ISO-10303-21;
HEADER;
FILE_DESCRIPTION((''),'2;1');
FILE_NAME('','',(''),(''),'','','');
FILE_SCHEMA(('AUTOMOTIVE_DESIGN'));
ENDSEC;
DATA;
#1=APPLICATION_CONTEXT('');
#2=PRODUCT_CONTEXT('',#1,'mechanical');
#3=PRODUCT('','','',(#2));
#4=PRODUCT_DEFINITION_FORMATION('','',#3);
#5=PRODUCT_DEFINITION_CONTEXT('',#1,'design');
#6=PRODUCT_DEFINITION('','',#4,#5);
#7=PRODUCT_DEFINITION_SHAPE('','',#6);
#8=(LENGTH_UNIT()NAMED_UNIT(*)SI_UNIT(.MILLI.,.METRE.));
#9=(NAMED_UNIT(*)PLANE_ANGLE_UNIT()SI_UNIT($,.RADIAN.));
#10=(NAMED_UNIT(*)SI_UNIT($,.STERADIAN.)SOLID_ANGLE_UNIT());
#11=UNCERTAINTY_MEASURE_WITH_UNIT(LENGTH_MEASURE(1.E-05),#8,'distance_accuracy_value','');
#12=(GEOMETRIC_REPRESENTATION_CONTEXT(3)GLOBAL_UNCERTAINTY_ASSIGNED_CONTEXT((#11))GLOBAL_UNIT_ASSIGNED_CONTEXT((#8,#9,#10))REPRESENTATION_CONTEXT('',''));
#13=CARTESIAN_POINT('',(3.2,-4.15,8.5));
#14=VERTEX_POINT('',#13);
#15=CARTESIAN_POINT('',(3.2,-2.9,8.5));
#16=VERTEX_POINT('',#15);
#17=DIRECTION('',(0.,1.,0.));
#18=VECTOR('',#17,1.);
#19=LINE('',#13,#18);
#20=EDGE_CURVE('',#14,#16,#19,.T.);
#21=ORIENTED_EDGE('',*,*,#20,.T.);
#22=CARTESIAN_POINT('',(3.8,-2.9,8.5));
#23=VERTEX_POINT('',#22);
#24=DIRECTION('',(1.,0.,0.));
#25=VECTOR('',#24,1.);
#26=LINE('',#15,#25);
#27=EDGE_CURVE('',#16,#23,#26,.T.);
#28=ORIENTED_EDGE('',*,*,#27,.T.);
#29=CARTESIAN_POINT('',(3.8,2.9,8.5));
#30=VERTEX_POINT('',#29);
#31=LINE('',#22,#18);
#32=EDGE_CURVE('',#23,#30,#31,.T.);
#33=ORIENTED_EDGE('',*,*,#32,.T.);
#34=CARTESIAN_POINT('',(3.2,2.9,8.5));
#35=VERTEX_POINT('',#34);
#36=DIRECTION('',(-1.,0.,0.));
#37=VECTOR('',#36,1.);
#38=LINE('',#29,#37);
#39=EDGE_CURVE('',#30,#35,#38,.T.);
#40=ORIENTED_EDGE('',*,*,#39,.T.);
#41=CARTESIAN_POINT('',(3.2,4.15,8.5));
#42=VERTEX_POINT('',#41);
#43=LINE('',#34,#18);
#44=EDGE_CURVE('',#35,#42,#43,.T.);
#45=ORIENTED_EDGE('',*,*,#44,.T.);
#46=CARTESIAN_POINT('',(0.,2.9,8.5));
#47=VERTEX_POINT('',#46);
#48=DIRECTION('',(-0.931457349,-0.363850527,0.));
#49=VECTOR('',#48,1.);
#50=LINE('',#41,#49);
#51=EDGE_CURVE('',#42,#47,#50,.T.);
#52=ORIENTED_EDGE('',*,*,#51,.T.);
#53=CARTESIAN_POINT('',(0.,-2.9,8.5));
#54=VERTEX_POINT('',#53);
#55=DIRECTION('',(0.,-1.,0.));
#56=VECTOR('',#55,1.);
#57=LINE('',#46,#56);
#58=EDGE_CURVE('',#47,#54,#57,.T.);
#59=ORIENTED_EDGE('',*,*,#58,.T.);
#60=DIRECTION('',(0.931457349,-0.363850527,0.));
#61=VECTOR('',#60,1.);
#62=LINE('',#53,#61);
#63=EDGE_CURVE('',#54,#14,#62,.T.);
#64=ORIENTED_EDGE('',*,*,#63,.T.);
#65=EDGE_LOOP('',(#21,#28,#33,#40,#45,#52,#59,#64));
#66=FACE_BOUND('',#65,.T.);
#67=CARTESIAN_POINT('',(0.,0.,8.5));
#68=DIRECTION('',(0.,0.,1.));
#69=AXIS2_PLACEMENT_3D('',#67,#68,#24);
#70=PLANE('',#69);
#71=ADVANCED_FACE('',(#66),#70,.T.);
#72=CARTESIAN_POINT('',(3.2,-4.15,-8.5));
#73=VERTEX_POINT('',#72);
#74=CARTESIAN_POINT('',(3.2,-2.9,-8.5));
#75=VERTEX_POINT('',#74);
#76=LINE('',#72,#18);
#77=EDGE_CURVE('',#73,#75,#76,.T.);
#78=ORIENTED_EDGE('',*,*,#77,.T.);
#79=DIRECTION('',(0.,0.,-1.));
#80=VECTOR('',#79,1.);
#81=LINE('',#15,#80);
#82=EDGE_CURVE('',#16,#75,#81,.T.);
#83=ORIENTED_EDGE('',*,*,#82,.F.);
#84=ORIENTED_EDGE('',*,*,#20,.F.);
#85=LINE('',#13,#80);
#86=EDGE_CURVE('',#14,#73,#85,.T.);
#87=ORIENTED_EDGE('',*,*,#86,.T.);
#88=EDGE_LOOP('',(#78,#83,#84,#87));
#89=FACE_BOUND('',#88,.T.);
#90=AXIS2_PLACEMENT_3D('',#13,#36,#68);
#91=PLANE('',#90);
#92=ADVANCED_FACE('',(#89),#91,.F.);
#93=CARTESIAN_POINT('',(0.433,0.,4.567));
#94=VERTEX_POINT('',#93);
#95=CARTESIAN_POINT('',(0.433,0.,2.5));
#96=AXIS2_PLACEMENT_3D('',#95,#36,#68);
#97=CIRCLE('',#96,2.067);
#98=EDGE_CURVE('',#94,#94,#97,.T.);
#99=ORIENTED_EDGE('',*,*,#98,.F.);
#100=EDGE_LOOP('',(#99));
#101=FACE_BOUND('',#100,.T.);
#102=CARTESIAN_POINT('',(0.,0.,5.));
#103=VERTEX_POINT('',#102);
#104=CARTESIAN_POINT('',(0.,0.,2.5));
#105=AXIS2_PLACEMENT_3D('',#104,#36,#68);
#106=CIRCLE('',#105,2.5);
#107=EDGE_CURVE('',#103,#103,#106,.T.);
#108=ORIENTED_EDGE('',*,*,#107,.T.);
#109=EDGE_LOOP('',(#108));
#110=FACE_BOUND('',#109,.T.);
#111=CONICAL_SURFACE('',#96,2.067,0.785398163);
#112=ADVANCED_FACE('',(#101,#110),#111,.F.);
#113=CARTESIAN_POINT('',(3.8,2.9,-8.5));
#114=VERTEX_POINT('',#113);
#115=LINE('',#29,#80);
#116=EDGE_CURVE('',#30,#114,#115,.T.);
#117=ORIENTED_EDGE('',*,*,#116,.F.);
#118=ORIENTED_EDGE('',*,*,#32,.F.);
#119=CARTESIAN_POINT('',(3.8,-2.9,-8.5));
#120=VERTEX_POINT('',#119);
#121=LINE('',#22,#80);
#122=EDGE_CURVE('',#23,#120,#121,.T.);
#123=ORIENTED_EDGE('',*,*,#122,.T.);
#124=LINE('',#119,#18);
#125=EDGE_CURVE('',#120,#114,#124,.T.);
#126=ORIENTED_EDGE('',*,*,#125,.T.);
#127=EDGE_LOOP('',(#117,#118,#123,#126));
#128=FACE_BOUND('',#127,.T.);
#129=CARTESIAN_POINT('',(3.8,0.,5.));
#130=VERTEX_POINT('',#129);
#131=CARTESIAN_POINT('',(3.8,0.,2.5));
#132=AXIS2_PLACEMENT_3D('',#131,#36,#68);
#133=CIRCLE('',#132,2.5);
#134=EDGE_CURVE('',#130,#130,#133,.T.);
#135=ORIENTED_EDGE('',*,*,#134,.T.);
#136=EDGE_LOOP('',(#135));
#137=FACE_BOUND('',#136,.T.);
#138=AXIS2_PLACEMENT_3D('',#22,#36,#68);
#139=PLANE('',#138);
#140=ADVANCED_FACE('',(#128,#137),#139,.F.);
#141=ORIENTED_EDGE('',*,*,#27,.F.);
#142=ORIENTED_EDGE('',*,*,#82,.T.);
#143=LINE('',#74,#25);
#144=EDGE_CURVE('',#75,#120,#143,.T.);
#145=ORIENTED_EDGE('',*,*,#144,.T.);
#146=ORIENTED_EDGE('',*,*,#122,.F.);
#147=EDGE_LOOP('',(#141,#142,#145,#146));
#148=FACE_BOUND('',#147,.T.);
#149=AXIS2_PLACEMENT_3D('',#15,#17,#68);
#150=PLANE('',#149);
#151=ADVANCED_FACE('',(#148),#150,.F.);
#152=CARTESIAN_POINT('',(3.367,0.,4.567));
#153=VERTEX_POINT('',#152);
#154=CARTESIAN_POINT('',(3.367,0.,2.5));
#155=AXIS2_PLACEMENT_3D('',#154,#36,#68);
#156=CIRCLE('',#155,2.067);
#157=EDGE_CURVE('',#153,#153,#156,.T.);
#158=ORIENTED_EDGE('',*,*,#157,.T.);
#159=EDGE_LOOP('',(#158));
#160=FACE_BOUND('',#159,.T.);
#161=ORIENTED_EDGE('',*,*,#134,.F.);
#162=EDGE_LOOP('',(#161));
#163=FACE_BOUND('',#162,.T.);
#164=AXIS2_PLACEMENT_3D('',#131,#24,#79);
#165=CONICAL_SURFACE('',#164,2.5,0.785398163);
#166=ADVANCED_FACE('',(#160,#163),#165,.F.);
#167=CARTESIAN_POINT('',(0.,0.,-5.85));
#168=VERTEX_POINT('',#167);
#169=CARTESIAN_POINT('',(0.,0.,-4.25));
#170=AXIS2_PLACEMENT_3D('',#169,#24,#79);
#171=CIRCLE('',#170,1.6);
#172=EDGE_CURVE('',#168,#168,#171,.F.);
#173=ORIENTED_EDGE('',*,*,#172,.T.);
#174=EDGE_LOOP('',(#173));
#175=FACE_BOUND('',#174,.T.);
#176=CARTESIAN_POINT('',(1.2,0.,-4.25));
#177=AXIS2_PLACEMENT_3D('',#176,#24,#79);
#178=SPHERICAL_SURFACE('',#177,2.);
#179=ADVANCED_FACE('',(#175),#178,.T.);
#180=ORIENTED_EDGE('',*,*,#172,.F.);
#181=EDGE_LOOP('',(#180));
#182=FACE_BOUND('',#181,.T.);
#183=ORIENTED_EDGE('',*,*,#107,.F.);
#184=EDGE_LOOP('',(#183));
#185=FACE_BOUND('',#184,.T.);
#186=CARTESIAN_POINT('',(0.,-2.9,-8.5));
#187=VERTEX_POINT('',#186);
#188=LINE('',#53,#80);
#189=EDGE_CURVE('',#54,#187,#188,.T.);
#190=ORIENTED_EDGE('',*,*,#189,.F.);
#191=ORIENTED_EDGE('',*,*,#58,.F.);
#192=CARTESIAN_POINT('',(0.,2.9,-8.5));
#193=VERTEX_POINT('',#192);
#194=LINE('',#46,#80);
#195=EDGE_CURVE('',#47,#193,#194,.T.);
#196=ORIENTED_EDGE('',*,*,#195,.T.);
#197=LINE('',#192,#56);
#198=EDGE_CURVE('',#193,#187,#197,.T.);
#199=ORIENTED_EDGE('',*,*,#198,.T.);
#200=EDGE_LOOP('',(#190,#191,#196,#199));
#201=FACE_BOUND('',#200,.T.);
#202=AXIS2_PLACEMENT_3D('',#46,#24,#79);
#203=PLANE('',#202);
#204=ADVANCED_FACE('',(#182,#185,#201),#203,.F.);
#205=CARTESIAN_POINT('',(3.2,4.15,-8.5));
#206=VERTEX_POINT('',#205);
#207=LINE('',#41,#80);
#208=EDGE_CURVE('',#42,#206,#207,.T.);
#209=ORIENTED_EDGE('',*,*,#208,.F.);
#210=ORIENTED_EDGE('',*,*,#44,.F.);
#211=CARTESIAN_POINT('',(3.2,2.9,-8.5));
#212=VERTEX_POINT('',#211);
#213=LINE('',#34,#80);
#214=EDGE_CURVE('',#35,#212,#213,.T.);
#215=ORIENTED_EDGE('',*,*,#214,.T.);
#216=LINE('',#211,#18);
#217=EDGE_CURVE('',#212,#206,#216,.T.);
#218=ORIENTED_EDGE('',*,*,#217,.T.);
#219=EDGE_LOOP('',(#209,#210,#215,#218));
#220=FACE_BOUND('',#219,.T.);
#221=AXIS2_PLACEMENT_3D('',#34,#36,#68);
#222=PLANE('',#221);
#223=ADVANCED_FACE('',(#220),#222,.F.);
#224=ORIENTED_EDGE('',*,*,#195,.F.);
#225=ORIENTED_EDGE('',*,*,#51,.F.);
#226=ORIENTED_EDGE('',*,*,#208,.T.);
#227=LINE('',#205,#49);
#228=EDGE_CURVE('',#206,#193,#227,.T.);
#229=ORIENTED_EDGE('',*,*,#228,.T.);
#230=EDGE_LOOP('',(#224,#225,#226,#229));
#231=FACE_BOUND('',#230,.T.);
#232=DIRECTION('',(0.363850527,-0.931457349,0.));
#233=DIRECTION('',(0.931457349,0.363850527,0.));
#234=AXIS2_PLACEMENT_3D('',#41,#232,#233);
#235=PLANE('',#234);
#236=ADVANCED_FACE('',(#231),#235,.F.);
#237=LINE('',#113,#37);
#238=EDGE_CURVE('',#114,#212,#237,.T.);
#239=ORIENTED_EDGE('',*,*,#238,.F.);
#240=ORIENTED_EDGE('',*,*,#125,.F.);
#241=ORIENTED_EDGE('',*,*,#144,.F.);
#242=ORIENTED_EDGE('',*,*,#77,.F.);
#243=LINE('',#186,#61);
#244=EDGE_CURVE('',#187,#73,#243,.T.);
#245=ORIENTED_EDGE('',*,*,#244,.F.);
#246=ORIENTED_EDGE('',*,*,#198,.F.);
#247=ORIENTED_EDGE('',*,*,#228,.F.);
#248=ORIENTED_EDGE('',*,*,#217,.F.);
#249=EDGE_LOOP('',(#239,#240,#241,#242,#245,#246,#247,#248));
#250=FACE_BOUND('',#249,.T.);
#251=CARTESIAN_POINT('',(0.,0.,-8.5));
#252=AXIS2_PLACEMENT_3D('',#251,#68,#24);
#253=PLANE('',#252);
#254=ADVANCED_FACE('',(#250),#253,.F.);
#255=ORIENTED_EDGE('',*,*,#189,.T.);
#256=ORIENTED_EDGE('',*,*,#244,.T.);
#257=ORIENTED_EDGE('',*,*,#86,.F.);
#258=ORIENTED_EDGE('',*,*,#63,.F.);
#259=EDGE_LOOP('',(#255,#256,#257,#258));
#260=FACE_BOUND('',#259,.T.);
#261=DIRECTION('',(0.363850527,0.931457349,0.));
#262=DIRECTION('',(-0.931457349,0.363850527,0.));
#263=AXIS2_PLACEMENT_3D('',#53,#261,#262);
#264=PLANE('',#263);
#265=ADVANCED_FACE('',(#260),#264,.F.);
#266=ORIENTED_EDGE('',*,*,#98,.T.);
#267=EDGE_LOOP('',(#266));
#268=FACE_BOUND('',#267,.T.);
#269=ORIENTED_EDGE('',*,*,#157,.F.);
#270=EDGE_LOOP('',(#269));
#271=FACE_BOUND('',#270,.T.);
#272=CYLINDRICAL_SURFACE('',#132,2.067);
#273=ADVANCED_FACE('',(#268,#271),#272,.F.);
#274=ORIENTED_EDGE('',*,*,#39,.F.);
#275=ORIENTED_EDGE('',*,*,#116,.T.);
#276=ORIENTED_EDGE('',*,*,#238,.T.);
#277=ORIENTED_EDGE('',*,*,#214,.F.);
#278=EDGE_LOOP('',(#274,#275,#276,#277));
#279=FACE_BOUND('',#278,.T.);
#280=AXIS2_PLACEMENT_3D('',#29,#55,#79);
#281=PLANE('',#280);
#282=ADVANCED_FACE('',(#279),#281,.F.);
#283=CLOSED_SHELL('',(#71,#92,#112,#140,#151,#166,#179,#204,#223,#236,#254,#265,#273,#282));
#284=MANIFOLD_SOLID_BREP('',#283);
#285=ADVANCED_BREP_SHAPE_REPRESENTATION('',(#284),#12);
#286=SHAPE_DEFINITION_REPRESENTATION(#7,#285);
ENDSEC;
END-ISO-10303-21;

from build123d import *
from build123d.topology import SkipClean

# Parameters (mm, degrees)
EXTRUDE_1_DEPTH      = 8.5
EXTRUDE_1_DEPTH_BACK = 8.5


with BuildPart() as part:
    # ｽｹｯﾁ1 → ﾎﾞｽ - 押し出し1 (new, two sides: drawn at the far end of the back side and taken through both)
    with BuildSketch(Plane.XY.offset(-EXTRUDE_1_DEPTH_BACK)):
        Polygon((0, -2.9), (3.2, -4.15), (3.2, -2.9), (3.8, -2.9), (3.8, 2.9), (3.2, 2.9), (3.2, 4.15), (0, 2.9), align=None)
    extrude(amount=EXTRUDE_1_DEPTH + EXTRUDE_1_DEPTH_BACK)

    # ｽｹｯﾁ2 → ｶｯﾄ - 回転1 (revolve, cut)
    with BuildSketch(Plane.XY.offset(2.5)):
        Polygon((0, 0), (0, 2.5), (0.433, 2.067), (3.367, 2.067), (3.8, 2.5), (3.8, 0), align=None)
    revolve(axis=Axis((3.8, 0, 2.5), (-1, 0, 0)), mode=Mode.SUBTRACT)

    # ｽｹｯﾁ3 → 回転1 (revolve)
    with SkipClean():  # the faces are left unmerged after this step: merging them gives an invalid solid
        with BuildSketch(Plane.XY.offset(-4.25)):
            with BuildLine():
                Line((1.2, 2), (1.2, -2))
                ThreePointArc((1.2, -2), (-0.8, 0), (1.2, 2))
            make_face()
        revolve(axis=Axis((1.2, 3.2, -4.25), (0, -1, 0)))


solid = part.part
